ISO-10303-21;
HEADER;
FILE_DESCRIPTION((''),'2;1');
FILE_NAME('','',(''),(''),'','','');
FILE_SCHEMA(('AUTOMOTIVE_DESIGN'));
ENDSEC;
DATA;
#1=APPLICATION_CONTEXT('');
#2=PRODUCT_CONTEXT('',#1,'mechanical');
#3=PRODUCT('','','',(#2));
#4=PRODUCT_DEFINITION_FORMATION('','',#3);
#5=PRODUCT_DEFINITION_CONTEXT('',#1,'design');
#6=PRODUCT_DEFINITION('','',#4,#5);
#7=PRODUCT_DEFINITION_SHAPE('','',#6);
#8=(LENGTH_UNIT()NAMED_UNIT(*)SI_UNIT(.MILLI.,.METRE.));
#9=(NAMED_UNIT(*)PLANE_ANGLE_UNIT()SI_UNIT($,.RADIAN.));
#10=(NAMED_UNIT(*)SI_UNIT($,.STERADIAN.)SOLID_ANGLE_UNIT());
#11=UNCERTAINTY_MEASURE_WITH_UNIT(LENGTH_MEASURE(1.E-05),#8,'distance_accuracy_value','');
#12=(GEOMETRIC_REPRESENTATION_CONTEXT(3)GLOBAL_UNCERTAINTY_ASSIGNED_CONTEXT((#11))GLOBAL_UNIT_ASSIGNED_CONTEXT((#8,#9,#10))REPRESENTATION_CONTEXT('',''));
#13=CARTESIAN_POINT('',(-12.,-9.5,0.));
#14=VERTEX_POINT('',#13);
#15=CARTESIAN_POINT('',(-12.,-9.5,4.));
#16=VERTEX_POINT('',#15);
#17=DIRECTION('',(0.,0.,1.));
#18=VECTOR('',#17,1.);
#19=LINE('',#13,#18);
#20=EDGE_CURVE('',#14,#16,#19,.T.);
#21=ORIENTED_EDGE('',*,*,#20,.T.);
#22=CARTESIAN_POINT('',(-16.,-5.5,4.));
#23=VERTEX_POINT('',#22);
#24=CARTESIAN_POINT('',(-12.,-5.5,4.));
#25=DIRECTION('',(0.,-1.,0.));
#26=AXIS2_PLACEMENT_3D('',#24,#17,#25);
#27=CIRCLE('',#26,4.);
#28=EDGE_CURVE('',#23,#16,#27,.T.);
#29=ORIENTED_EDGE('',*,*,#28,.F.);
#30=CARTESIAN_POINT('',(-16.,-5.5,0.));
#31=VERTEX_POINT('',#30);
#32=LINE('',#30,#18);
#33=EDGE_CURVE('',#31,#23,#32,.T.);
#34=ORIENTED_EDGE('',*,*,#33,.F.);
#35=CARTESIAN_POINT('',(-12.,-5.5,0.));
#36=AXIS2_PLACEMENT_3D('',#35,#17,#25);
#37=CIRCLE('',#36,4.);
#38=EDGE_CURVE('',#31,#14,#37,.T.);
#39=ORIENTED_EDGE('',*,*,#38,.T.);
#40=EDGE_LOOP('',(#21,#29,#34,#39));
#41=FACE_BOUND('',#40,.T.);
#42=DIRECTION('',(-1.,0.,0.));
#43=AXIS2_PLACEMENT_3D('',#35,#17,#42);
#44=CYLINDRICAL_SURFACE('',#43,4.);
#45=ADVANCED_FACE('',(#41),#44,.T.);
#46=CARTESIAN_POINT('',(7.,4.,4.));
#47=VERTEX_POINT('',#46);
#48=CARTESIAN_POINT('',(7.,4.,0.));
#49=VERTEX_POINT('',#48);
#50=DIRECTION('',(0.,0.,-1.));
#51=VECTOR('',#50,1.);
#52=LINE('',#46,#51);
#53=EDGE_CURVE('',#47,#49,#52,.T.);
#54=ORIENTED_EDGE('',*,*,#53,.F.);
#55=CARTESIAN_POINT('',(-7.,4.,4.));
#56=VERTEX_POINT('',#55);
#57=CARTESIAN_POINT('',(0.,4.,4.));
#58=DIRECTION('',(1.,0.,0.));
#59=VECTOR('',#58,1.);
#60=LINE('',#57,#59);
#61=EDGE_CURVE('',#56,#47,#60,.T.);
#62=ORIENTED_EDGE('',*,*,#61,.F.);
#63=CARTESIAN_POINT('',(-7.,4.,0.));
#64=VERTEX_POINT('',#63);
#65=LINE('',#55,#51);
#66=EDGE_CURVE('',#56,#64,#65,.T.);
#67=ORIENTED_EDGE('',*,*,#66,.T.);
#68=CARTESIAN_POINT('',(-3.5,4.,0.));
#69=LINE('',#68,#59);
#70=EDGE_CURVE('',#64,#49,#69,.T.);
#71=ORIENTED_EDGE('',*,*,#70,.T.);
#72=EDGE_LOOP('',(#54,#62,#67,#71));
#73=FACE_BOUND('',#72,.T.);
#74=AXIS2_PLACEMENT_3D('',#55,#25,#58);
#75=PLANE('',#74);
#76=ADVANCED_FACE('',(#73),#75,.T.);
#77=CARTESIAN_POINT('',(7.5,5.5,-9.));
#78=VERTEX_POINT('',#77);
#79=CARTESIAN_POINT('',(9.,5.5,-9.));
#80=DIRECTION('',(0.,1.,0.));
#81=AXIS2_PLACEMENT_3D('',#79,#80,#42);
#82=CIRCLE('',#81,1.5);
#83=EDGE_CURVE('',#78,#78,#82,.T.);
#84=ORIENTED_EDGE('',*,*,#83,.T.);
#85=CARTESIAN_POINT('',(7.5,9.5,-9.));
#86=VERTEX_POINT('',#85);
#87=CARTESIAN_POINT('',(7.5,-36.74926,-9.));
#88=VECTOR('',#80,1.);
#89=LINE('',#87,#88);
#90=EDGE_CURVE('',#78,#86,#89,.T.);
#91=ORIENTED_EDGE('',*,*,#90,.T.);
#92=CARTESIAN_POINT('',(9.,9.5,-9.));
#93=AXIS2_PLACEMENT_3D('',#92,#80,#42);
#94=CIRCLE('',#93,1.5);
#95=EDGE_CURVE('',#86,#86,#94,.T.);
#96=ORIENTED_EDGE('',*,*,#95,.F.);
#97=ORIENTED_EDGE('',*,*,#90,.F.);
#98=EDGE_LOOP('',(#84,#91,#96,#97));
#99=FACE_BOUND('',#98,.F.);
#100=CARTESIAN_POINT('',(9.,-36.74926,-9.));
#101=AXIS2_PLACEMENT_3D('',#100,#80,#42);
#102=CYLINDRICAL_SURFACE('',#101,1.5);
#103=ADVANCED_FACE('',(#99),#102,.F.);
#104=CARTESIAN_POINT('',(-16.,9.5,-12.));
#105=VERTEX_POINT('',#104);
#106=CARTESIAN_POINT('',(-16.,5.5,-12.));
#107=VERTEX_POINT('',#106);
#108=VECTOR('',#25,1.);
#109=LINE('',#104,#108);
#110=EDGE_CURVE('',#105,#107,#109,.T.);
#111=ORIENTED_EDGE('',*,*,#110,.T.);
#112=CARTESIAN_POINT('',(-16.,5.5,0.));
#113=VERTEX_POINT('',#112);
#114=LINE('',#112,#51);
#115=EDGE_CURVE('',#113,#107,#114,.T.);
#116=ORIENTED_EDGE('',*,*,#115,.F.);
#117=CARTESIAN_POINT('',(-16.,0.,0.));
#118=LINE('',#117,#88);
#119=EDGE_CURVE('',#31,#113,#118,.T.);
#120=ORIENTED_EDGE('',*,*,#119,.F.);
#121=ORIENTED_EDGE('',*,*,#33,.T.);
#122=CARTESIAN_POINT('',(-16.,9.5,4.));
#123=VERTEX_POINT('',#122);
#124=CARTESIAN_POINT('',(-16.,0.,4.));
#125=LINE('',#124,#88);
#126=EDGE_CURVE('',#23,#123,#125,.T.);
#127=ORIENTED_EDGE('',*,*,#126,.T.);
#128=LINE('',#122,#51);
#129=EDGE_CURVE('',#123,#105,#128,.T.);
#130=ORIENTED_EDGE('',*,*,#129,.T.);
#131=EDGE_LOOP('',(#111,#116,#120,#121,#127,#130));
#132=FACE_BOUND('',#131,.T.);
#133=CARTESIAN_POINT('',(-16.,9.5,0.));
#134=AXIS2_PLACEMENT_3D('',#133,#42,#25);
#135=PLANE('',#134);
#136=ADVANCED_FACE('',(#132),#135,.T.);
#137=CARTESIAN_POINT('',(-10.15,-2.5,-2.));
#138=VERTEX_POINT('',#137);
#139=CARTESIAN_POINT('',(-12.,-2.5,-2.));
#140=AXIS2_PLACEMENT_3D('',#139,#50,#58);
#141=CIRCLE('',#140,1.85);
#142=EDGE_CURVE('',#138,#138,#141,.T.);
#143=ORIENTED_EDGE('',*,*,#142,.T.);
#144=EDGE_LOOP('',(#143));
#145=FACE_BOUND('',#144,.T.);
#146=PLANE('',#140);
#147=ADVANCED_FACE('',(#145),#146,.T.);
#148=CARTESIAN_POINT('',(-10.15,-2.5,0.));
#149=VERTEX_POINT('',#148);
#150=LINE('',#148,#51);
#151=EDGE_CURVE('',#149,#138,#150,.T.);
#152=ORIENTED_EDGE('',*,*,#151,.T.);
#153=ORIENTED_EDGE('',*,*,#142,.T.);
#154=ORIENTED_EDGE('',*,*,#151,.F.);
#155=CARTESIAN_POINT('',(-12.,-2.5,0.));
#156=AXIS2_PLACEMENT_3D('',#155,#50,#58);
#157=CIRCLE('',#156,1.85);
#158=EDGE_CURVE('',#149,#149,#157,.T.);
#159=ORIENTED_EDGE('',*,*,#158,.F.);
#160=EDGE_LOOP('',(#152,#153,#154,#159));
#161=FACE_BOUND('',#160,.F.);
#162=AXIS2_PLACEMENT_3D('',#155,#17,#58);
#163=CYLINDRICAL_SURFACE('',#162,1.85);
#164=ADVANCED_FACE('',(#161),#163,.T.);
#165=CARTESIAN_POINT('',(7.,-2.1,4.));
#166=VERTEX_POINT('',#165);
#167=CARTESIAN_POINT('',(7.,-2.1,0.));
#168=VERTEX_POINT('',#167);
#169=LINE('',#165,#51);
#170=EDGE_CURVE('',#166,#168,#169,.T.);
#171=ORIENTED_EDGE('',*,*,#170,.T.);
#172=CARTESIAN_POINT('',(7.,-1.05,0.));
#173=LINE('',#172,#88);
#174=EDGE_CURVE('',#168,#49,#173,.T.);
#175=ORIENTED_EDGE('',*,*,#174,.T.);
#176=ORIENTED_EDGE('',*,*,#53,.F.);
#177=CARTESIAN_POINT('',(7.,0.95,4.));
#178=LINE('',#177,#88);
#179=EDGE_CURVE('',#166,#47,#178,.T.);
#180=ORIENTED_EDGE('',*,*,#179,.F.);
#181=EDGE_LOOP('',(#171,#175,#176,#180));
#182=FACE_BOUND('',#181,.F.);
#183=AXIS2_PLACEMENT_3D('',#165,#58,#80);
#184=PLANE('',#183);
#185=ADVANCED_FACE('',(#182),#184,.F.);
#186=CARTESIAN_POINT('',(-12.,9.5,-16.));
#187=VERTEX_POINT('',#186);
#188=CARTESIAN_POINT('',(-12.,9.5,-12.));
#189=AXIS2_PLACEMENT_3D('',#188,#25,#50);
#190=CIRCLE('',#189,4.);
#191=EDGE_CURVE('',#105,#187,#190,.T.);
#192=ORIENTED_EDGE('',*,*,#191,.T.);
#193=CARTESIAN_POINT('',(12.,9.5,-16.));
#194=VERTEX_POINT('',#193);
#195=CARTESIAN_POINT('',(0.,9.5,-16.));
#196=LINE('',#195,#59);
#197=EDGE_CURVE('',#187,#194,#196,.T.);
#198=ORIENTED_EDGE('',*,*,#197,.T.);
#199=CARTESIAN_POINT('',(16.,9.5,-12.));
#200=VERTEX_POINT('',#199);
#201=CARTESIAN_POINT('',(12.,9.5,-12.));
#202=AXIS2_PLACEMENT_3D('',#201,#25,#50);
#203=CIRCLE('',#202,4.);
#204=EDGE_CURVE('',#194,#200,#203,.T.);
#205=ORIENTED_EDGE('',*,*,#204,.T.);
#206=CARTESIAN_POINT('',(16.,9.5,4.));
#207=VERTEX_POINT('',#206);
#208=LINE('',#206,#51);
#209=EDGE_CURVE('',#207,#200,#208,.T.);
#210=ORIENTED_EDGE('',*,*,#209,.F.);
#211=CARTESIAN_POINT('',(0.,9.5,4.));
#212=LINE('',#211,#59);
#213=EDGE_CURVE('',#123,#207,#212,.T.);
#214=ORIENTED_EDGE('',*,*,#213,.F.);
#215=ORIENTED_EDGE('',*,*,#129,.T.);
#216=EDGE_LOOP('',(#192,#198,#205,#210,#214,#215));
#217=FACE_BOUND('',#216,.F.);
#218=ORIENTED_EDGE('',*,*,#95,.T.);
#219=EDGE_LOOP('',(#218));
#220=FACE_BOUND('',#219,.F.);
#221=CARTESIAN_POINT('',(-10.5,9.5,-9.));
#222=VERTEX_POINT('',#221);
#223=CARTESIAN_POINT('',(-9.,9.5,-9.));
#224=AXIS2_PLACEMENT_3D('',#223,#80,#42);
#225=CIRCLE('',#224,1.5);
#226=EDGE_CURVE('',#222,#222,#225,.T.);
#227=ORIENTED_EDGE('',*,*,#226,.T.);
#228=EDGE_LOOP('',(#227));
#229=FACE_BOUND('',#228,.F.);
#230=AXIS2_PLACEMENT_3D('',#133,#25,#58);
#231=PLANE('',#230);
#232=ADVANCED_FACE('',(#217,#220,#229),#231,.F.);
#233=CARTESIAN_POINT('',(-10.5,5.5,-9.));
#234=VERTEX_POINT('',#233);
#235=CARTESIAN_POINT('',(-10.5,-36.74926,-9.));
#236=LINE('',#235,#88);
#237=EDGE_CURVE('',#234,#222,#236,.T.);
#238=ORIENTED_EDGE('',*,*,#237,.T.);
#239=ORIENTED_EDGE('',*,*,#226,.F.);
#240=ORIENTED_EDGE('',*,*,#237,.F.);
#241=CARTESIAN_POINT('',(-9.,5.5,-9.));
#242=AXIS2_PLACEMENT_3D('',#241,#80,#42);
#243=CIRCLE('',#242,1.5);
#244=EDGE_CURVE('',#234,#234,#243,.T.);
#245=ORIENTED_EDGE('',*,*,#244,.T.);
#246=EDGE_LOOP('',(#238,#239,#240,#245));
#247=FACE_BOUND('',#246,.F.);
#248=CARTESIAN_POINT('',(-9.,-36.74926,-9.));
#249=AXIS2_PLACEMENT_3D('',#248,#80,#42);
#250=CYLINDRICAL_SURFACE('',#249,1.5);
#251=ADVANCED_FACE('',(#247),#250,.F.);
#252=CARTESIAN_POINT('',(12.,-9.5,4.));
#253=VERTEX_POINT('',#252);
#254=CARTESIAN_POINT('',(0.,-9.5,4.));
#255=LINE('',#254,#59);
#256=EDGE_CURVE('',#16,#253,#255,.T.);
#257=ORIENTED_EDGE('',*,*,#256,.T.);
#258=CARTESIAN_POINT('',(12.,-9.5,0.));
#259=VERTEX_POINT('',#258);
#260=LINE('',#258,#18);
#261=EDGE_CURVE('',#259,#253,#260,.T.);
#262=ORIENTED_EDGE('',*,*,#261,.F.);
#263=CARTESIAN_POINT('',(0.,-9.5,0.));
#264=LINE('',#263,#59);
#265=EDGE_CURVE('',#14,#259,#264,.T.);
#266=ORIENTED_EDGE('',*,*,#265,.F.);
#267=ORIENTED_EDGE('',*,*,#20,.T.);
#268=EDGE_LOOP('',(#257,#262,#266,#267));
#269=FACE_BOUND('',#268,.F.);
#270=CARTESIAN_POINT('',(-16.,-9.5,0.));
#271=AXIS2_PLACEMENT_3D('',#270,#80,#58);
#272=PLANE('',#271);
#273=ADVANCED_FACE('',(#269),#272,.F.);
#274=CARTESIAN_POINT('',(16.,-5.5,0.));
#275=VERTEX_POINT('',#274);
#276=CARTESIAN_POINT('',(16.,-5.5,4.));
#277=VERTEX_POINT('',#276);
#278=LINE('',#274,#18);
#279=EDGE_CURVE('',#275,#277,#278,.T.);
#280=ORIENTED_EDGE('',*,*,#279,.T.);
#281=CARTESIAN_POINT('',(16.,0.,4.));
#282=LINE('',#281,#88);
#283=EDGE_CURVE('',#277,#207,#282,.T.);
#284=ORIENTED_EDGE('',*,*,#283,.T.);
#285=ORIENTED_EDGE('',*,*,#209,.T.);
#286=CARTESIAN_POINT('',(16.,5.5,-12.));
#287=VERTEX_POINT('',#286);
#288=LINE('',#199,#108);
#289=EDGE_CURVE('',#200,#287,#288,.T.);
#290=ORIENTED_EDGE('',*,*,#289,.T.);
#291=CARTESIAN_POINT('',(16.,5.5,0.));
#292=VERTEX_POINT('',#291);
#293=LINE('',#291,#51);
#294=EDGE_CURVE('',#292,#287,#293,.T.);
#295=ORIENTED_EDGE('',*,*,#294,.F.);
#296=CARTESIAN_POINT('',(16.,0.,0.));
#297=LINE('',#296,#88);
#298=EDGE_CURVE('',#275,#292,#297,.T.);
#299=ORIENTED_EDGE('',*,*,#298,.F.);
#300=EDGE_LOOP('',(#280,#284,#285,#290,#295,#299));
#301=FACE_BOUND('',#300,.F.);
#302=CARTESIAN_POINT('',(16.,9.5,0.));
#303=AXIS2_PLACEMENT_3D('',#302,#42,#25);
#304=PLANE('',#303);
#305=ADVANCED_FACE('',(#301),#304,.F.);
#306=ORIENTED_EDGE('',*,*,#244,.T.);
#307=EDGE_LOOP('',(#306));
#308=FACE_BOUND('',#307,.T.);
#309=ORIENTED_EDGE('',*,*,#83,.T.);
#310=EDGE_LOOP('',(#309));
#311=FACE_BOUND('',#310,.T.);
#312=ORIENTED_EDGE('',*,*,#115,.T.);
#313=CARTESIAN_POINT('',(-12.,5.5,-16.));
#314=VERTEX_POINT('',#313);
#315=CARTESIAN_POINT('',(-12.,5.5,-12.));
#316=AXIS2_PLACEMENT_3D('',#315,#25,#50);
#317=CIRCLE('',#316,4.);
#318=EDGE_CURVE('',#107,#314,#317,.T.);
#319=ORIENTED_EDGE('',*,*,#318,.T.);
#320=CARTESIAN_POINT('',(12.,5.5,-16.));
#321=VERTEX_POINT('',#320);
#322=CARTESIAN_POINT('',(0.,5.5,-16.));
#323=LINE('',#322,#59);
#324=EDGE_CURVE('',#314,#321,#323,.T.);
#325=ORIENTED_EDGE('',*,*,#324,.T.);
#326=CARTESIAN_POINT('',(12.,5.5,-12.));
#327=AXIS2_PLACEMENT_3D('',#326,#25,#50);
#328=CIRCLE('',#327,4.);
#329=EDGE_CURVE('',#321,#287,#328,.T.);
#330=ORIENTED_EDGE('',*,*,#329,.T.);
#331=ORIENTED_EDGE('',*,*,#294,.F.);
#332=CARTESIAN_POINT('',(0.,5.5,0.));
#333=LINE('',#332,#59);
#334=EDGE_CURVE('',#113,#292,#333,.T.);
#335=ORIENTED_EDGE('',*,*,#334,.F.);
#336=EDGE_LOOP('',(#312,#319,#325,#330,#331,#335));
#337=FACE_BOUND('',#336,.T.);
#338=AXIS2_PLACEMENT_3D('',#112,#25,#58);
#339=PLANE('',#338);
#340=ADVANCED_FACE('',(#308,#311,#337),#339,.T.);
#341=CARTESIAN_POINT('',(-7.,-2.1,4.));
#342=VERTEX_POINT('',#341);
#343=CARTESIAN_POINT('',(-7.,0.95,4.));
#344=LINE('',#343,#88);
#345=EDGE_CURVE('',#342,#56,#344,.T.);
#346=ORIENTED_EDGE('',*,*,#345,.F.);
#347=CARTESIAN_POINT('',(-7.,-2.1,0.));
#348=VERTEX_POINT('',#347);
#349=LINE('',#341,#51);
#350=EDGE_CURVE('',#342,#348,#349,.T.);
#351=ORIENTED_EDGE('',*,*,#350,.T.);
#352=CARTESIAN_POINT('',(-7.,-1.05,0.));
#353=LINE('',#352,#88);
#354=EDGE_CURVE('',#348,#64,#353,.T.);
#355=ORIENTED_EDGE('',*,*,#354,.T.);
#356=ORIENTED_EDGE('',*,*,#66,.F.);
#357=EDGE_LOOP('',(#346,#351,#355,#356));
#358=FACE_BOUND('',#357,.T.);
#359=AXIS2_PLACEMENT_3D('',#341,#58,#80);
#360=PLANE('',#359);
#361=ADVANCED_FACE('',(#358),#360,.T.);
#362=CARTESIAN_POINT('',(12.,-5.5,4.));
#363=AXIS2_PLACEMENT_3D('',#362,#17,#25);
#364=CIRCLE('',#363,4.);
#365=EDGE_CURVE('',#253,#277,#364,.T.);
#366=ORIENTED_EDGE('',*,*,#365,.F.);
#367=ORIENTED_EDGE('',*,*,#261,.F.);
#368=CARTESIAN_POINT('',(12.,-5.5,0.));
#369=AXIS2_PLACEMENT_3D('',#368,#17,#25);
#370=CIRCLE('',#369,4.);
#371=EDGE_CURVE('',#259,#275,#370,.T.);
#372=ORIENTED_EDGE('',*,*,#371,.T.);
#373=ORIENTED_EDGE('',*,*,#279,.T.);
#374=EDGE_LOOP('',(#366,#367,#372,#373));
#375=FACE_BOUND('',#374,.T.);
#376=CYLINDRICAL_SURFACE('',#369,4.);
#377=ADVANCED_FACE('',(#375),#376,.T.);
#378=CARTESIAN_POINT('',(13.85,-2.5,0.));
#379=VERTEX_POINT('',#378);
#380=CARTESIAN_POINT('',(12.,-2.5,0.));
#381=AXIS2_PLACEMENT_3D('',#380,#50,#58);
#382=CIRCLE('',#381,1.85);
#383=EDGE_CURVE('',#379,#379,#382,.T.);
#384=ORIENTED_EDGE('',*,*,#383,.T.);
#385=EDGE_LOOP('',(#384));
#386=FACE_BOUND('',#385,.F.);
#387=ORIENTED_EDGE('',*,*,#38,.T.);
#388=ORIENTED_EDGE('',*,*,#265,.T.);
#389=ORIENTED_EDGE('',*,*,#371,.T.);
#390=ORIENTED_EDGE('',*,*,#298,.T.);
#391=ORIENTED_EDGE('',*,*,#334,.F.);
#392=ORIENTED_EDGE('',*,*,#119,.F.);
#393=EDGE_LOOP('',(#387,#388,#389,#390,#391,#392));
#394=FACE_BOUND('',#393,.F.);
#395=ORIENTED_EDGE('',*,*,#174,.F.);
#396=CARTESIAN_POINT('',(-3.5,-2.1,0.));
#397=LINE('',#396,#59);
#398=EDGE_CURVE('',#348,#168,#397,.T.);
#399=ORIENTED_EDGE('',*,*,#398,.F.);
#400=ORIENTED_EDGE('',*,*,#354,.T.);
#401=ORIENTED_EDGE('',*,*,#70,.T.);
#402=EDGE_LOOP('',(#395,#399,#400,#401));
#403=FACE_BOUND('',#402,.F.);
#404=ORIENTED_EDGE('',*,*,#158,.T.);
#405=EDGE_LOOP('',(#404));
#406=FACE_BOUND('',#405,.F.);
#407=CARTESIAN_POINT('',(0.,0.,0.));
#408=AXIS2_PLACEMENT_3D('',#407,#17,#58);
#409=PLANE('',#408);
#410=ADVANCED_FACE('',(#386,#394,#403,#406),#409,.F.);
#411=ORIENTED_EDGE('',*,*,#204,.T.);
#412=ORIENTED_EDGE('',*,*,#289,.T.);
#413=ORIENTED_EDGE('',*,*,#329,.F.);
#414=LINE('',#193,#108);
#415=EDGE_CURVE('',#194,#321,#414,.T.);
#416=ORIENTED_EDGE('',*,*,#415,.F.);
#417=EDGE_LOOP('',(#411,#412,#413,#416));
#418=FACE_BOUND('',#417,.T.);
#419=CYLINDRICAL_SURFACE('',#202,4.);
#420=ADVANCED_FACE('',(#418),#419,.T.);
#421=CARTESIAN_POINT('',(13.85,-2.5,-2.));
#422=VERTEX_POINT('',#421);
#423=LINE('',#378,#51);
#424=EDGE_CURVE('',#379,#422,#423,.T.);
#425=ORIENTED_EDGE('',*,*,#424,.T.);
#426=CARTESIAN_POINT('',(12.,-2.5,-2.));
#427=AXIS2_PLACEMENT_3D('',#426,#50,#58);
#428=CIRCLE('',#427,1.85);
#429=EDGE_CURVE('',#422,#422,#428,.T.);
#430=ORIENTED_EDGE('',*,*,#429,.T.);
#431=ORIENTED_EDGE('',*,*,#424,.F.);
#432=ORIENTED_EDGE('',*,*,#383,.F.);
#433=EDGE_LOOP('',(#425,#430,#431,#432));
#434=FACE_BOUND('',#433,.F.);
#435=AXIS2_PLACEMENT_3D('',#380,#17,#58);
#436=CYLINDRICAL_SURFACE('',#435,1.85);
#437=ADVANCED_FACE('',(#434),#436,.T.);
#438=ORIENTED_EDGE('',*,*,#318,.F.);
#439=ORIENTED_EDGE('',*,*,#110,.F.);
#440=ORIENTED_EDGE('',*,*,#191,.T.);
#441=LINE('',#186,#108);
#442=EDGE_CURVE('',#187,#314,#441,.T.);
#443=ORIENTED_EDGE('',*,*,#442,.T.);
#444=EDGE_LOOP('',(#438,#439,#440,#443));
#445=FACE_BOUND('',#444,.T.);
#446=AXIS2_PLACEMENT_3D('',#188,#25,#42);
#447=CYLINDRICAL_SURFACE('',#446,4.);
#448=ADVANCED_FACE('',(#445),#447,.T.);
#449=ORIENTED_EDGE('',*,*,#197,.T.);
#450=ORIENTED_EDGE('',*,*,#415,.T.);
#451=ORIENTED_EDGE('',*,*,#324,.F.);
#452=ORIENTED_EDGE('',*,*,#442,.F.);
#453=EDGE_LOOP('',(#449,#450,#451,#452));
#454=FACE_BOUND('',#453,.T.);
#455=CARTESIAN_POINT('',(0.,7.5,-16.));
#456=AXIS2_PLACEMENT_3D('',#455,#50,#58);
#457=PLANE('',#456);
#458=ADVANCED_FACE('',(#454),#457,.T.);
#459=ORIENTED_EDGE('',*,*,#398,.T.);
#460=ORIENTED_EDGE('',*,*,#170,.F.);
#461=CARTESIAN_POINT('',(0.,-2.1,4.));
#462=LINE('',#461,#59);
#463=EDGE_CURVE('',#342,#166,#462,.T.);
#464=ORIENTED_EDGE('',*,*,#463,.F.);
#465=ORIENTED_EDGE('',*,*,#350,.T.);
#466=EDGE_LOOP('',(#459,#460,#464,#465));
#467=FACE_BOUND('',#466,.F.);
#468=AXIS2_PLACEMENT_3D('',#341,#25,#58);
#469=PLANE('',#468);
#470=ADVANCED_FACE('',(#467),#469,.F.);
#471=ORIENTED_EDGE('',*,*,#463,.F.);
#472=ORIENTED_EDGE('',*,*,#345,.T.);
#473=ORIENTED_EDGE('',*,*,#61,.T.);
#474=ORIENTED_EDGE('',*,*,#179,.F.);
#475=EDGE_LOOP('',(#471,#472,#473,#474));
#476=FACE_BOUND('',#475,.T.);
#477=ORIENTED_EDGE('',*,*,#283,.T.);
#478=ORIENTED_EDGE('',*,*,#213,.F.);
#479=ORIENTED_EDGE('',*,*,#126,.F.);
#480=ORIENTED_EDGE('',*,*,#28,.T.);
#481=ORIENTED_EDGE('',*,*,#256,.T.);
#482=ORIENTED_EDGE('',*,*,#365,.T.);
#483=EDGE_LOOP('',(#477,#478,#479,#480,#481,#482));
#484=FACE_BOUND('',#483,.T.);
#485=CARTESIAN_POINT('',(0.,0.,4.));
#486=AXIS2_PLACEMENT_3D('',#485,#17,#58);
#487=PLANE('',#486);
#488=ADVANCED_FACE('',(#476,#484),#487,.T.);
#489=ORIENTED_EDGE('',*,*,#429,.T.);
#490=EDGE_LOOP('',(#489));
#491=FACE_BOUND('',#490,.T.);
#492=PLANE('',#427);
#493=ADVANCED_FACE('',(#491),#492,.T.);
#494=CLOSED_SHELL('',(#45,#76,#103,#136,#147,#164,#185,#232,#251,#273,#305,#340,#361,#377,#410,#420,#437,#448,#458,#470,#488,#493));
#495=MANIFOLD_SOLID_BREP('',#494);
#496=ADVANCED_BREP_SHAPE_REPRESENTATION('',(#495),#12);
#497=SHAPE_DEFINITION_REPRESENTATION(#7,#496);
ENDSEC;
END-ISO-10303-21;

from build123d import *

# Parameters (mm, degrees)
F0_W     = 32
F0_H     = 19
F1_DEPTH = 4
F2_W     = 32
F2_H     = 4
F3_DEPTH = 16
F5_W     = 14
F5_H     = 6.1
F6_DEPTH = 25
F7_R     = 1.85
F8_DEPTH = 2
F9_D     = 3
F10_R    = 4


with BuildPart() as f1:
    # F0 (on Top) → F1 (new body)
    with BuildSketch(Plane.XY):
        Rectangle(F0_W, F0_H)
    extrude(amount=F1_DEPTH)

    # F2 (on face) → F3 (join)
    with BuildSketch(Plane(origin=(0, 0, 0), x_dir=(1, 0, 0), z_dir=(0, 0, -1))):
        with Locations((0, -7.5)):
            Rectangle(F2_W, F2_H)
    extrude(amount=F3_DEPTH)

    # F5 (on face) → F6 (cut)
    with BuildSketch(Plane.XY.offset(4)):
        with Locations((0, 0.95)):
            Rectangle(F5_W, F5_H)
    extrude(amount=-F6_DEPTH, mode=Mode.SUBTRACT)

    # F7 (on face) → F8 (join)
    with BuildSketch(Plane(origin=(0, 0, 0), x_dir=(1, 0, 0), z_dir=(0, 0, -1))):
        with Locations((-12, 2.5)):
            Circle(F7_R)
        with Locations((12, 2.5)):
            Circle(F7_R)
    extrude(amount=F8_DEPTH)

    # F9 (through all)
    with Locations(Plane.XZ.offset(-5.5)):
        with Locations((-9, -9), (9, -9)):
            Hole(F9_D / 2)

    # F10
    f10_edges = [f1.edges().sort_by_distance(p)[0] for p in [
        (16, -9.5, 2),
        (-16, -9.5, 2),
        (-16, 7.5, -16),
        (16, 7.5, -16),
    ]]
    fillet(f10_edges, radius=F10_R)


solid = f1.part
